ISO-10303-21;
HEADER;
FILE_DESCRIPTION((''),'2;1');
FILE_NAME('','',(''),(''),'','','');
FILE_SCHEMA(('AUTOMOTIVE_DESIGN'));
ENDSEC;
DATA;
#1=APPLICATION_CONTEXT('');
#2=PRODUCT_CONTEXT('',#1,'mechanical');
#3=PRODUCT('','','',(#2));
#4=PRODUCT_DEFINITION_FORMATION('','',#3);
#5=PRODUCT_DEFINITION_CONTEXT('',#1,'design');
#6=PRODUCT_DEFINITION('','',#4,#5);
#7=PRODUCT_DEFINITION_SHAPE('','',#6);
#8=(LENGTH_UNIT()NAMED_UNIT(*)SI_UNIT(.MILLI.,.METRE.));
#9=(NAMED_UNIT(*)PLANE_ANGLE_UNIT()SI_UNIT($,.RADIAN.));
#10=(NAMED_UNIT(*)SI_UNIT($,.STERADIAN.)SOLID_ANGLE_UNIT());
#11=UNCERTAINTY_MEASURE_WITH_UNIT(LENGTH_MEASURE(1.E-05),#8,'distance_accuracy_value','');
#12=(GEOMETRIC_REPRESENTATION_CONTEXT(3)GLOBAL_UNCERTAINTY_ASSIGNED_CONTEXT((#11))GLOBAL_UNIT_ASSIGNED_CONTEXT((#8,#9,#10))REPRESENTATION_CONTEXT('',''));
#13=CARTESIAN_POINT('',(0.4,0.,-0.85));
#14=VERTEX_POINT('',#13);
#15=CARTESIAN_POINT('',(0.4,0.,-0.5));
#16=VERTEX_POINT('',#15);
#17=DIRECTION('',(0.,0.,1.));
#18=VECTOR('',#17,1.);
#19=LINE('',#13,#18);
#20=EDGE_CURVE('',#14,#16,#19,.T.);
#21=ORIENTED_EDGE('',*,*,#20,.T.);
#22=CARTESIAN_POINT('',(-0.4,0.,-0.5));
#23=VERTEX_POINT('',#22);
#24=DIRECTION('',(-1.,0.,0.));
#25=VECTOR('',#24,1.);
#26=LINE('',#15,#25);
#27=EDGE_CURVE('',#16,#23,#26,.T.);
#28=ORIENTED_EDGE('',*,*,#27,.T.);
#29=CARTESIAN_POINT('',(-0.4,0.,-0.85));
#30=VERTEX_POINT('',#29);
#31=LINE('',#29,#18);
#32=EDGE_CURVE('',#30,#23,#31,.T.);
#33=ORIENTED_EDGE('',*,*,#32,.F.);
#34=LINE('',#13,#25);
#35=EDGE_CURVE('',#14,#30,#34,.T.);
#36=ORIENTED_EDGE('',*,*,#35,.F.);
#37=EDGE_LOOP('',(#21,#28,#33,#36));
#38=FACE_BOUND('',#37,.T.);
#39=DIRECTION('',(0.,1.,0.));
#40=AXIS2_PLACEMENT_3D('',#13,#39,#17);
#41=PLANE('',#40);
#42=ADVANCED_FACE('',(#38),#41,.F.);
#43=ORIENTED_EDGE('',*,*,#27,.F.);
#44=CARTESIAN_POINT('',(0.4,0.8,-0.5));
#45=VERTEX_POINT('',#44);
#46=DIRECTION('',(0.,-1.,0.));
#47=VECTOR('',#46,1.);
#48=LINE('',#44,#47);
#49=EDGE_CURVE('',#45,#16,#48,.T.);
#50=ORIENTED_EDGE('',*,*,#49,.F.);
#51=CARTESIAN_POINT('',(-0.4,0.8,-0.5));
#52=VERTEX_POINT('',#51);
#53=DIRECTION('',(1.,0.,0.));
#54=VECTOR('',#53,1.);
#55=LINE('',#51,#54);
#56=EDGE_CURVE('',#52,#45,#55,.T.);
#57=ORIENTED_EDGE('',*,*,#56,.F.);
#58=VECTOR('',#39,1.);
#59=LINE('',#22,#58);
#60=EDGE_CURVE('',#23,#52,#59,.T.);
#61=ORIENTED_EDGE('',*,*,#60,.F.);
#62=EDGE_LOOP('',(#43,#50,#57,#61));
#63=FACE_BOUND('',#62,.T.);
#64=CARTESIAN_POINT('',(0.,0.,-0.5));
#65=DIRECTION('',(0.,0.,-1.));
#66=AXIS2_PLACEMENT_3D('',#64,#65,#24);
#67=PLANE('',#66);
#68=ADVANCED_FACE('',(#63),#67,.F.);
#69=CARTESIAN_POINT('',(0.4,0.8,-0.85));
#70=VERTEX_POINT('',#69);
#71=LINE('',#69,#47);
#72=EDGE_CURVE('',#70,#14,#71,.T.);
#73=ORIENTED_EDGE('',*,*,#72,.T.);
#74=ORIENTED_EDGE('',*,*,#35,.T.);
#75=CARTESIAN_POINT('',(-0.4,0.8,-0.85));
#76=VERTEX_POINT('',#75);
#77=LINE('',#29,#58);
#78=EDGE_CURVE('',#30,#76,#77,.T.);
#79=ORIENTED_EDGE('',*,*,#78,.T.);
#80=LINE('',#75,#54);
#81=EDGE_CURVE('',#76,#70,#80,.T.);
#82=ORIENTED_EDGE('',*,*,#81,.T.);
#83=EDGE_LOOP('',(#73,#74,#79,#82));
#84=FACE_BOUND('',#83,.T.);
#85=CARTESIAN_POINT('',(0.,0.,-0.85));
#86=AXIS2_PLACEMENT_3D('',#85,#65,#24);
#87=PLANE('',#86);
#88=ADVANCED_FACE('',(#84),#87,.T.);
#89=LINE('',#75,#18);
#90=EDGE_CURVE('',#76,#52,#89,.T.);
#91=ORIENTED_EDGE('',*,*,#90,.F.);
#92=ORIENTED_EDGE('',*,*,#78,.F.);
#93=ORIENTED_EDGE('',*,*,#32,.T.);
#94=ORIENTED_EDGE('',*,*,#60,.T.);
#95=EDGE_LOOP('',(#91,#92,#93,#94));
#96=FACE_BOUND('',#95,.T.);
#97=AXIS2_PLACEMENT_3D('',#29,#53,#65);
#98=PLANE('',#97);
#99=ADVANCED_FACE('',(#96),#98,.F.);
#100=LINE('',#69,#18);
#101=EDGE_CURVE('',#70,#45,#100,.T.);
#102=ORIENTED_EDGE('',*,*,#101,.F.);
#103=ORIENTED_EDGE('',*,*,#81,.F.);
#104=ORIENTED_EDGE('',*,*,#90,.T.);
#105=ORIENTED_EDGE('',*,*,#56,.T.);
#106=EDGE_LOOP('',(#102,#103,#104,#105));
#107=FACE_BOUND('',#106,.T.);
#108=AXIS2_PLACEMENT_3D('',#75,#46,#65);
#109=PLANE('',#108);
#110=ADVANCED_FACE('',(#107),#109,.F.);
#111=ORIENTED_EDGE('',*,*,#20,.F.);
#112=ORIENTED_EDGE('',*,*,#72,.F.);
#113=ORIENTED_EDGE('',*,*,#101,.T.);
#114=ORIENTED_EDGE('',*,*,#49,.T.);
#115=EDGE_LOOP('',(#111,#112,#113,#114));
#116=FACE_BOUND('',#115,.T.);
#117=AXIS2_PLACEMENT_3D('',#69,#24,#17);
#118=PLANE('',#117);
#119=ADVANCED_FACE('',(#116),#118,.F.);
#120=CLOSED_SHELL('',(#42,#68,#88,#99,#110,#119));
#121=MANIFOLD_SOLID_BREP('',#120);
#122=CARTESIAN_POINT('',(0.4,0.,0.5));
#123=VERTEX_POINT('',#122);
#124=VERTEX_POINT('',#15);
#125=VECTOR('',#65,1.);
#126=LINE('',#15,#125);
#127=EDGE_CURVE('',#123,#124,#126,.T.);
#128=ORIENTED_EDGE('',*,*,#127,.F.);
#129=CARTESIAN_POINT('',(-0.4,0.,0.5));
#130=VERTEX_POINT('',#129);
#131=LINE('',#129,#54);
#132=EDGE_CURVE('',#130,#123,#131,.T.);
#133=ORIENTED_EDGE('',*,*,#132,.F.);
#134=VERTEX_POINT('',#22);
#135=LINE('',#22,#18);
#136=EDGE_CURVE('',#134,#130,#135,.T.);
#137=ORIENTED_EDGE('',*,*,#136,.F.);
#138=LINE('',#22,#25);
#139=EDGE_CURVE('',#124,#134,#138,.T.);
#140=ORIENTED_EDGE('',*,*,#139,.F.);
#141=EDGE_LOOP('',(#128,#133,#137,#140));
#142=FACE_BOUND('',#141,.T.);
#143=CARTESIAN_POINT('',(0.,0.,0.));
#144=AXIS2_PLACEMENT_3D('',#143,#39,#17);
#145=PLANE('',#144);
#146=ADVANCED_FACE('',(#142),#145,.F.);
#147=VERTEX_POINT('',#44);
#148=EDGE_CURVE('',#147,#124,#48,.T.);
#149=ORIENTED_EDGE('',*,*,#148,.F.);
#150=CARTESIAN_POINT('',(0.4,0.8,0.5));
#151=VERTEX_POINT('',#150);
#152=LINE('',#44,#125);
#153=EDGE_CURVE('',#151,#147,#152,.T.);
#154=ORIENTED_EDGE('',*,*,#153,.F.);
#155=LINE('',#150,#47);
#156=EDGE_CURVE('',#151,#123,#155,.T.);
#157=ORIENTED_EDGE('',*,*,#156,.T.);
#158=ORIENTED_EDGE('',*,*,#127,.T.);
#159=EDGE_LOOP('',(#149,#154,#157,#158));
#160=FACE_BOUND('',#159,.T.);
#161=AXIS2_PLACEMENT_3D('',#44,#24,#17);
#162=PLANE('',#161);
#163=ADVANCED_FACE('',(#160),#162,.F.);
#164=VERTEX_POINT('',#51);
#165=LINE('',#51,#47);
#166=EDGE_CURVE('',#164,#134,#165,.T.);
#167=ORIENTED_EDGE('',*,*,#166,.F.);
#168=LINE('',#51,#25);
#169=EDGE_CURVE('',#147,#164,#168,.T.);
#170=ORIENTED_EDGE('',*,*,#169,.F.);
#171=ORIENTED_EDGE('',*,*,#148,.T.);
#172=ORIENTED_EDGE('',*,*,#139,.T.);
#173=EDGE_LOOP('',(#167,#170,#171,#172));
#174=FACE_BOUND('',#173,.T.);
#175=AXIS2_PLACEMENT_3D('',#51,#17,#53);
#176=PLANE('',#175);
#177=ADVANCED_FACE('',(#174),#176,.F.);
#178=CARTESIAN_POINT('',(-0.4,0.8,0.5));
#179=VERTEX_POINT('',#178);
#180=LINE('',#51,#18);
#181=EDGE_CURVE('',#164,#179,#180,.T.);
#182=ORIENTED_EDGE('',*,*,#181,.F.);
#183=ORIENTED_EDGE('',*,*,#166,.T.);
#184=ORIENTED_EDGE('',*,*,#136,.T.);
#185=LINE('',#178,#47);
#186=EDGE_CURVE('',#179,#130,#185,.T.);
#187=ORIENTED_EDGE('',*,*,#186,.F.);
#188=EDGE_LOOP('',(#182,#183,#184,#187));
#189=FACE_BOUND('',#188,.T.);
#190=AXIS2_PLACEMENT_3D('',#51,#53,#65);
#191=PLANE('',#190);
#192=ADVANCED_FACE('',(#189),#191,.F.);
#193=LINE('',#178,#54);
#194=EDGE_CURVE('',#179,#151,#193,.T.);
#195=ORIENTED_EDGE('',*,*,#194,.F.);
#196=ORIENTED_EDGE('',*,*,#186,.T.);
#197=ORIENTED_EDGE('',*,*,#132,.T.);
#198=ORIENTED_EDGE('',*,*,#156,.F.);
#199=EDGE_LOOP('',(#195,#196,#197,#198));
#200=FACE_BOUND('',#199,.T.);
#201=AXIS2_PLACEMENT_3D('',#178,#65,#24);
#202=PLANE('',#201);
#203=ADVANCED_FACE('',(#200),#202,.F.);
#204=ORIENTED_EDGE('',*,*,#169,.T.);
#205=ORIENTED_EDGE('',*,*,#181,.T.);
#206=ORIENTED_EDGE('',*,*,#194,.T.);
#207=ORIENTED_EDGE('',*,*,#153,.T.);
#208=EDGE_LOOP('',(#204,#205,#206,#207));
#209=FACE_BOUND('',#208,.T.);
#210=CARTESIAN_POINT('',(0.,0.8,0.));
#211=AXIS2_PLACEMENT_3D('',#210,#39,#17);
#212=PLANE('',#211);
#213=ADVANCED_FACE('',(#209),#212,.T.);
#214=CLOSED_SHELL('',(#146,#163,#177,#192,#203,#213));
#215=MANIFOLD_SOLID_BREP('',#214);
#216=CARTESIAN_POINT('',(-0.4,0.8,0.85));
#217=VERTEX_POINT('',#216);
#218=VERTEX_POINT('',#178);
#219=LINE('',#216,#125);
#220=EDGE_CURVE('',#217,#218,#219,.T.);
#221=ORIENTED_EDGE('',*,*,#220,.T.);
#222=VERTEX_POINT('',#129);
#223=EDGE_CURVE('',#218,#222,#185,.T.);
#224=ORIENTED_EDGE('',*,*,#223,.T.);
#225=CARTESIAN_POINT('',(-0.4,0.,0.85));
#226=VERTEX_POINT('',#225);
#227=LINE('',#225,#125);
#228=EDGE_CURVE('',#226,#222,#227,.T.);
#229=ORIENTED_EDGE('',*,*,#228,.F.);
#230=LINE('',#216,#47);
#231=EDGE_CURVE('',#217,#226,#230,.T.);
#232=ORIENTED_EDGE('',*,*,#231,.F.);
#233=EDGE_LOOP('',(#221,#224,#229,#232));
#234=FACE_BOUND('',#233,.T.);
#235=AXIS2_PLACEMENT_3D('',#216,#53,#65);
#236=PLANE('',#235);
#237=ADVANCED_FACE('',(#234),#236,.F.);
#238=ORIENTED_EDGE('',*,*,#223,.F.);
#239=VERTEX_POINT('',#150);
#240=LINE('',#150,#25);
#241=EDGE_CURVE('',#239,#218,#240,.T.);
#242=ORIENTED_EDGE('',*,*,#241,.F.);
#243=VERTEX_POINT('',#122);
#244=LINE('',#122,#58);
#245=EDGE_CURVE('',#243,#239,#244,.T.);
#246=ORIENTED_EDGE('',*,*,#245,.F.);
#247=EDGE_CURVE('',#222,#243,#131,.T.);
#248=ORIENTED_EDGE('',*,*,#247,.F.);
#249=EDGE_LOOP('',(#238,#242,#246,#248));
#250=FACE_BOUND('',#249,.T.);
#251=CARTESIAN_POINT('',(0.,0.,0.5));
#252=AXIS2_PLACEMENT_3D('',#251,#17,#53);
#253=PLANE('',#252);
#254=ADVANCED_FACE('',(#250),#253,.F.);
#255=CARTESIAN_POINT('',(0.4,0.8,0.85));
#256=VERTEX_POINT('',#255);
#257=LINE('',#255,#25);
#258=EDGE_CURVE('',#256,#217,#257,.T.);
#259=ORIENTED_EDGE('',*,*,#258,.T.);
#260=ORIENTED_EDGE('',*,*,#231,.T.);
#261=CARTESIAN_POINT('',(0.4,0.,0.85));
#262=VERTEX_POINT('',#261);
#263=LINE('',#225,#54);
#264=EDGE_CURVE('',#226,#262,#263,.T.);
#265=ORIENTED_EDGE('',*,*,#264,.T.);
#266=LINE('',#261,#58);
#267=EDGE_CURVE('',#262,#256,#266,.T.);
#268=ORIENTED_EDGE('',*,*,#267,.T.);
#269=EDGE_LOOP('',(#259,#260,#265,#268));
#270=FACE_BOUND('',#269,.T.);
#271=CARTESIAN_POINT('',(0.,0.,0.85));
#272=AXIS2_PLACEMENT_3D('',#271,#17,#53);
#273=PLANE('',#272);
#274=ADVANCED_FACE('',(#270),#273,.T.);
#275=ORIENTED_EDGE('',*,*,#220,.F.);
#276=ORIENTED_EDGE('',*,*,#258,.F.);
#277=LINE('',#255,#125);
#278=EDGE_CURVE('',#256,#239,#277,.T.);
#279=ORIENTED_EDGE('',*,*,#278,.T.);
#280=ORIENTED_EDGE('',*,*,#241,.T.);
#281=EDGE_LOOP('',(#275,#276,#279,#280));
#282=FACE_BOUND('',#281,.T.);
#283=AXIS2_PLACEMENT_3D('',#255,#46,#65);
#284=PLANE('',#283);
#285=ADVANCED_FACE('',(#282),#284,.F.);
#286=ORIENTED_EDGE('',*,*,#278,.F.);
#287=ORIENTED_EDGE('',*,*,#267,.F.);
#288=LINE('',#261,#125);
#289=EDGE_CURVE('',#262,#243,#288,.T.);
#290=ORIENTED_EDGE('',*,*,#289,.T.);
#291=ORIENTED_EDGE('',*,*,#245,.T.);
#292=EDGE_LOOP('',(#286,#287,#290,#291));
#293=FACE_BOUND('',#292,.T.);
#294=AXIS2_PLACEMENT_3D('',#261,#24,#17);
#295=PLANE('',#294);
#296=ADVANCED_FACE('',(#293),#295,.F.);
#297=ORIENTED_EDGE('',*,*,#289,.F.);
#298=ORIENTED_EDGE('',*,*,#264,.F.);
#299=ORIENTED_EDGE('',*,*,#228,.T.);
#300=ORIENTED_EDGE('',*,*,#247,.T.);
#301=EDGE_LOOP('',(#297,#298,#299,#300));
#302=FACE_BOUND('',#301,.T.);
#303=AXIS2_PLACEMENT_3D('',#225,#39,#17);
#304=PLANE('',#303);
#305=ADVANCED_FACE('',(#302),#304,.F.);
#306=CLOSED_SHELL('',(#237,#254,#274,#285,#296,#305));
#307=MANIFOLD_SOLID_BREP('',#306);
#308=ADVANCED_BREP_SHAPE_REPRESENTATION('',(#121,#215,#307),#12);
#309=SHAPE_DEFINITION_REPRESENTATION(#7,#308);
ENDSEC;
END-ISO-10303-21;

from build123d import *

# Parameters (mm, degrees)
SKETCH1_W  = 0.8
SKETCH1_H  = 1
MB_DEPTH   = 0.8
SKETCH2_W  = 0.8
SKETCH2_H  = 0.8
SB_L_DEPTH = 0.35
SKETCH3_W  = 0.8
SKETCH3_H  = 0.8
SB_R_DEPTH = 0.35


with BuildPart() as part:
    # Sketch1 → MB (new body)
    with BuildSketch(Plane(origin=(0, 0, 0), x_dir=(1, 0, 0), z_dir=(0, 1, 0))):
        Rectangle(SKETCH1_W, SKETCH1_H)
    extrude(amount=MB_DEPTH)


with BuildPart() as body_2:
    # Sketch2 → SB L (new body)
    with BuildSketch(Plane.XY.offset(0.5)):
        with Locations((0, 0.4)):
            Rectangle(SKETCH2_W, SKETCH2_H)
    extrude(amount=SB_L_DEPTH)


with BuildPart() as body_3:
    # Sketch3 → SB R (new body)
    with BuildSketch(Plane(origin=(0, 0, -0.5), x_dir=(-1, 0, 0), z_dir=(0, 0, -1))):
        with Locations((0, 0.4)):
            Rectangle(SKETCH3_W, SKETCH3_H)
    extrude(amount=SB_R_DEPTH)


solid = Compound([part.part, body_2.part, body_3.part])
